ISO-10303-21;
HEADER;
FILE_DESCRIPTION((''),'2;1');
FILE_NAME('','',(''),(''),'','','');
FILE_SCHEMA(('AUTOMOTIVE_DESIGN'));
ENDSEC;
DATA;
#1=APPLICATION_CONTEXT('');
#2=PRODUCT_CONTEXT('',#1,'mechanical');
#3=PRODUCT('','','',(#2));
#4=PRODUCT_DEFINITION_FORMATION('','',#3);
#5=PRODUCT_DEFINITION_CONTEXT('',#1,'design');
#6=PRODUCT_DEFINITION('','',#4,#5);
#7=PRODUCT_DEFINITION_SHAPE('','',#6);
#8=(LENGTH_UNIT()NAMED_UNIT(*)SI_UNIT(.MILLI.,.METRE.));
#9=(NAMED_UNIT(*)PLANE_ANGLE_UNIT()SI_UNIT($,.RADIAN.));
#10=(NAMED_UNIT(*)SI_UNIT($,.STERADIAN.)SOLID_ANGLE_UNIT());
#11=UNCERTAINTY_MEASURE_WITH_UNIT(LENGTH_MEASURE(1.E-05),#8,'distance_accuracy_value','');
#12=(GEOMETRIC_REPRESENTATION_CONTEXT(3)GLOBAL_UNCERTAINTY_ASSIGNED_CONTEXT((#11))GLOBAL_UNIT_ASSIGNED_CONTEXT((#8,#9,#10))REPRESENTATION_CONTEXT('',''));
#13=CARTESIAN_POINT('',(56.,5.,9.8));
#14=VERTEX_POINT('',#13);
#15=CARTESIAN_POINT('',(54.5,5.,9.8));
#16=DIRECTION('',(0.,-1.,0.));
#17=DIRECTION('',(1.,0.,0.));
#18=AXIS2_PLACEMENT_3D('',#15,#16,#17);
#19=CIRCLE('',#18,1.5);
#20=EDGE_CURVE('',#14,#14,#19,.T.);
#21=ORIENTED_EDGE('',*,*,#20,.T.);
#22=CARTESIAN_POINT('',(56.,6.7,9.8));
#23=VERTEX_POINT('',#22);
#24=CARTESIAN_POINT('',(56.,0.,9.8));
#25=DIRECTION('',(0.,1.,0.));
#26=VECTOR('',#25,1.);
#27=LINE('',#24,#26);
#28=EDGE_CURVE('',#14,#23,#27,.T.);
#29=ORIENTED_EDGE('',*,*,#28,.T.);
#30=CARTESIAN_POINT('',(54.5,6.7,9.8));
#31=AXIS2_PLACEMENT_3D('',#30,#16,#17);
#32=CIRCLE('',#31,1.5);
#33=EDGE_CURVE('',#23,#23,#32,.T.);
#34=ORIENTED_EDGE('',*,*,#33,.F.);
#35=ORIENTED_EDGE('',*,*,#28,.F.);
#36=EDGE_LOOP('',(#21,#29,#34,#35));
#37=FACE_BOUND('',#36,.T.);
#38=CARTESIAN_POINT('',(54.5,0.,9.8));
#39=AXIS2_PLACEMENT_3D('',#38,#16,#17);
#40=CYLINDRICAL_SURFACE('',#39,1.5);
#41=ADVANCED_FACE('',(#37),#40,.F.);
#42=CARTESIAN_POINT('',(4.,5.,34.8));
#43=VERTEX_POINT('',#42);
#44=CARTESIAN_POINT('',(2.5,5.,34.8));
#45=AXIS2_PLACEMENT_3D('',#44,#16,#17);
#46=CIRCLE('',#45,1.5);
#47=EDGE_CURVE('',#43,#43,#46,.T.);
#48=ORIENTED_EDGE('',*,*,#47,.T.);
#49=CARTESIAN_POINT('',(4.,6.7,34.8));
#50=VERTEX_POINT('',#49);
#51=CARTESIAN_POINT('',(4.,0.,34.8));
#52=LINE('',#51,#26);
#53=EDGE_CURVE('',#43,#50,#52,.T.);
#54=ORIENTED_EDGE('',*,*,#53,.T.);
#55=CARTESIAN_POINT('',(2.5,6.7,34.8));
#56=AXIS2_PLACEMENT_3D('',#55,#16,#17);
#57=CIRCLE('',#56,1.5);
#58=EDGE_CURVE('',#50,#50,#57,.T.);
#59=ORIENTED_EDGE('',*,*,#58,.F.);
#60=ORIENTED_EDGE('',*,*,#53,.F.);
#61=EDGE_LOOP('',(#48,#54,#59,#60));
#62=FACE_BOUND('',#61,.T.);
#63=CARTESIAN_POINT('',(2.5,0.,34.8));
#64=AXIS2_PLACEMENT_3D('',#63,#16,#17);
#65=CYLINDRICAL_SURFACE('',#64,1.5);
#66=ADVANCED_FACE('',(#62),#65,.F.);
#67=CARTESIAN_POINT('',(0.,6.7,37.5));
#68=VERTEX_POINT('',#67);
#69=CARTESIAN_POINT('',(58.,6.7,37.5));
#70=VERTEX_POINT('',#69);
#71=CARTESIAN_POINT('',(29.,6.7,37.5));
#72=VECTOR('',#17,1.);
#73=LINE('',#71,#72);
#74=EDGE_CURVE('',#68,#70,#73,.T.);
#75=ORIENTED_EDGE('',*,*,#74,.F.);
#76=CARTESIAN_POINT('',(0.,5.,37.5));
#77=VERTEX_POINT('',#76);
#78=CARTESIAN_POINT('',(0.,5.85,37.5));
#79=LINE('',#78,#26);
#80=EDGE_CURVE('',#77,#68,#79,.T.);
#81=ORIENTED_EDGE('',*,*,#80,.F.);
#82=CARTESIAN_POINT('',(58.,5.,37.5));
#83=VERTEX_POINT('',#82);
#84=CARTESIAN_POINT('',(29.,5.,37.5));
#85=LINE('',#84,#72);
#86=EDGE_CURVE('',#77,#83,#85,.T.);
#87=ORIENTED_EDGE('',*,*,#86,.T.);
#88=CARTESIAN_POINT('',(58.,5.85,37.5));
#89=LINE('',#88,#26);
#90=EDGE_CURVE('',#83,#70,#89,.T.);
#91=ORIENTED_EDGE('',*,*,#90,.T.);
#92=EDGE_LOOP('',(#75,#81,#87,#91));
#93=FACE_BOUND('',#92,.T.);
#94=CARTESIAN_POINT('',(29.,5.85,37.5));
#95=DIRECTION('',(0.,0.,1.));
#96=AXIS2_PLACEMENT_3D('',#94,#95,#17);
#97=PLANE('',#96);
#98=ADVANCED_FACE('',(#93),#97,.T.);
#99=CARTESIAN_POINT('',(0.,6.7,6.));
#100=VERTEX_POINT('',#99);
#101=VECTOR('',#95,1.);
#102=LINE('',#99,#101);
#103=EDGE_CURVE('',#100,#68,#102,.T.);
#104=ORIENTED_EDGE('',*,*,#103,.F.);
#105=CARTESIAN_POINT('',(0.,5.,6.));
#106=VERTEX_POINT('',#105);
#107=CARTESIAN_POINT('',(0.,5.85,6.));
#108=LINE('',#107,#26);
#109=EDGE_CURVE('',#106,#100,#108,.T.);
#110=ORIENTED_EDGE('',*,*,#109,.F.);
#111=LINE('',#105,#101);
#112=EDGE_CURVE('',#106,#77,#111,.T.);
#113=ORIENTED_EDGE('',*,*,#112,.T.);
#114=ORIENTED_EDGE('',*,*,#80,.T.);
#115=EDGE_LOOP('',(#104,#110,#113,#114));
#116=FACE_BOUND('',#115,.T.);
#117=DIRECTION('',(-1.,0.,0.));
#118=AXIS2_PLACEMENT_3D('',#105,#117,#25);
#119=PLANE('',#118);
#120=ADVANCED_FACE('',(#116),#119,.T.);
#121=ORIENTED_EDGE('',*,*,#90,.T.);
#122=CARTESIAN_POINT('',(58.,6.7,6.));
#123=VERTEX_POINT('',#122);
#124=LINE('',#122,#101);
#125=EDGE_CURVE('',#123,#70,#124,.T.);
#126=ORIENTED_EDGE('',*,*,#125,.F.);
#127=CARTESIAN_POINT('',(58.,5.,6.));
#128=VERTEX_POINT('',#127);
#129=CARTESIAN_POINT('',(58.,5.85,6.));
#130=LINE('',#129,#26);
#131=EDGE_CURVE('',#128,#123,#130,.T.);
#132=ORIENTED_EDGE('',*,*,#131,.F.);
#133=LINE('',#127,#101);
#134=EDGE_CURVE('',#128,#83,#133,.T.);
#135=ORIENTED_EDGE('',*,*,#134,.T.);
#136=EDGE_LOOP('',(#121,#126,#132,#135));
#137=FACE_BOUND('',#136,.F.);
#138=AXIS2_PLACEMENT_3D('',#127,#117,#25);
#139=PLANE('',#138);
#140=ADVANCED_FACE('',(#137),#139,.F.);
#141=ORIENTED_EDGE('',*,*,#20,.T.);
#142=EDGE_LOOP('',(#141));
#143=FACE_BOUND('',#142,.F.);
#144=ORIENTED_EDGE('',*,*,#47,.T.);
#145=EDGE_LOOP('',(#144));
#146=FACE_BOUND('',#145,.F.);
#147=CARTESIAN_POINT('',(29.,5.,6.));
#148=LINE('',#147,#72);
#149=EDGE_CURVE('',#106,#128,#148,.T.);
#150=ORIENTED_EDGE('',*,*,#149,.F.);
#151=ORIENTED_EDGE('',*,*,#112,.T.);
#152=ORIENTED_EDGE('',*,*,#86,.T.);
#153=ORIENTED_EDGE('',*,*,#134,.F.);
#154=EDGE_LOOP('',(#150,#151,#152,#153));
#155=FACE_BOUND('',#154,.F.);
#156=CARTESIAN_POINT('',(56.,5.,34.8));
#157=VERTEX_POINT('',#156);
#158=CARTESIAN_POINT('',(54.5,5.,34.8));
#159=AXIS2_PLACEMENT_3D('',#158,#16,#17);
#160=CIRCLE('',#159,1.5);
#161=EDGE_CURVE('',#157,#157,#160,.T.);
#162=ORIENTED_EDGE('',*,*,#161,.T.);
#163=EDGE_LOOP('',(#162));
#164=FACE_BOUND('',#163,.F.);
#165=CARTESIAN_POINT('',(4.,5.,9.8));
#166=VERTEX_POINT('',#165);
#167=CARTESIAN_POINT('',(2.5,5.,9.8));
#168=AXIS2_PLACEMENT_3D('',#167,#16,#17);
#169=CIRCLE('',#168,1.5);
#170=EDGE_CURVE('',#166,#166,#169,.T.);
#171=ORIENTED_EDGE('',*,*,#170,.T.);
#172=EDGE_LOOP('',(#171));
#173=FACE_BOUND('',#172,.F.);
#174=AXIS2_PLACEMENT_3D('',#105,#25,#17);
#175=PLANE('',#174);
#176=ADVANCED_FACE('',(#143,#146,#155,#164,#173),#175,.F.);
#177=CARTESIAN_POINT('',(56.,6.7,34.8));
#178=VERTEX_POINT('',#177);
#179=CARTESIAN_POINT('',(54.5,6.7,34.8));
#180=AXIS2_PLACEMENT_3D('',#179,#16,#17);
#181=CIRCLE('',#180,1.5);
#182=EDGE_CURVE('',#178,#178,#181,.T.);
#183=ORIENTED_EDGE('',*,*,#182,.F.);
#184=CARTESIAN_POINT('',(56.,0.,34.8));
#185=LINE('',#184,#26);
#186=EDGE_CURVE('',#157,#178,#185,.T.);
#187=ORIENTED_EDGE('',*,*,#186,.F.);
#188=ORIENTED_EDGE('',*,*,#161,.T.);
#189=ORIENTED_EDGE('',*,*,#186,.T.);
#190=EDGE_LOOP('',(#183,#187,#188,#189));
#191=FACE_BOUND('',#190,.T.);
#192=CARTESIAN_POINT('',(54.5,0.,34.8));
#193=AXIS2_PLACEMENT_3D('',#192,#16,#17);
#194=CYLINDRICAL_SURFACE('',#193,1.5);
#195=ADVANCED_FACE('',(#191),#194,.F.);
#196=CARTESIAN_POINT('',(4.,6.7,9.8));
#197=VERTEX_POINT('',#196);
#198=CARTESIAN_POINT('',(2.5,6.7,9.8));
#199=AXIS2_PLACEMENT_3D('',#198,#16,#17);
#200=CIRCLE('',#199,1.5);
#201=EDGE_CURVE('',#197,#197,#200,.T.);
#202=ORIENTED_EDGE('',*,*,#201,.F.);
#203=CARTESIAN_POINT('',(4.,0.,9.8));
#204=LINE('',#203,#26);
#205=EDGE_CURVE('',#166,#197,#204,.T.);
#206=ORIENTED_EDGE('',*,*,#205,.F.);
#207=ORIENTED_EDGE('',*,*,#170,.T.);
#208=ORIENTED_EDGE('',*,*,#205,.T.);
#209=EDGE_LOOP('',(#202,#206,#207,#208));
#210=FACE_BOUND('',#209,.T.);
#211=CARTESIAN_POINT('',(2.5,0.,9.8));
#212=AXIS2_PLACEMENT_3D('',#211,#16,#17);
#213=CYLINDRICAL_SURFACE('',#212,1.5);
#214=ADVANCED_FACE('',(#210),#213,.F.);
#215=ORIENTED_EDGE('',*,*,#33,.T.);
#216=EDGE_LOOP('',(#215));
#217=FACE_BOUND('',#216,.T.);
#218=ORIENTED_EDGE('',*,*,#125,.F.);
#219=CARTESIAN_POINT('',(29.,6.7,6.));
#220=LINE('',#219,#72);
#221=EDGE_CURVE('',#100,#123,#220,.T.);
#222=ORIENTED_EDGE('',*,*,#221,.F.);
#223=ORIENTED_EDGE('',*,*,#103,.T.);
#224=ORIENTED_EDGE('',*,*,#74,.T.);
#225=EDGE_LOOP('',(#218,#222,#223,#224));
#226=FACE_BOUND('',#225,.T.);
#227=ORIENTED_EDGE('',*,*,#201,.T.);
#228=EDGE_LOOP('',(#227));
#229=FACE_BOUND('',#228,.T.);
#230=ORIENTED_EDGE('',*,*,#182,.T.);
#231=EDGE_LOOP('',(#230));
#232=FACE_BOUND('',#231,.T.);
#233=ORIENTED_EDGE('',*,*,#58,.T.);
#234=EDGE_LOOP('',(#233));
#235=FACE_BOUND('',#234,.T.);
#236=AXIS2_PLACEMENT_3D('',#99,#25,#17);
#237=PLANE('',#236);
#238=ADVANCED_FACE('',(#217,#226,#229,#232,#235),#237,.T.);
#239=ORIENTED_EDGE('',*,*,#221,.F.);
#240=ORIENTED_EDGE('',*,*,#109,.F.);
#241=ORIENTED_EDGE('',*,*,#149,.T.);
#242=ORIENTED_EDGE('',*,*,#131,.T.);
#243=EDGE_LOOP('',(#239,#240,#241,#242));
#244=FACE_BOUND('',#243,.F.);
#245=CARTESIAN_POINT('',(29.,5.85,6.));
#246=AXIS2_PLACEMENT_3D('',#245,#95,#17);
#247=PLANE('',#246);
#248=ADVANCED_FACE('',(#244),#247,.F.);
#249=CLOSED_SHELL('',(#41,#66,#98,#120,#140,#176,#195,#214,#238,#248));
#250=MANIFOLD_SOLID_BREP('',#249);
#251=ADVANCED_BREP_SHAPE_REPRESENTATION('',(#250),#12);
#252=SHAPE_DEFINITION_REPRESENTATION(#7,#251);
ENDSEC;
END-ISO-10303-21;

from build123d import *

# Parameters (mm, degrees)
CYLINDER_R       = 1.5
CYLINDER_DEPTH   = 10
ARRAY001_X_COUNT = 2
ARRAY001_X_PITCH = 52
ARRAY001_Z_COUNT = 2
ARRAY001_Z_PITCH = 25
BOX002_W         = 58
BOX002_H         = 1.7
BOX002_DEPTH     = 31.5


with BuildPart() as hole_array_clone:
    # Cylinder → Cylinder (new body)
    with BuildSketch(Plane(origin=(0, 0, 0), x_dir=(1, 0, 0), z_dir=(0, 1, 0))):
        Circle(CYLINDER_R)
    extrude(amount=CYLINDER_DEPTH)

    # Array001 X: hole array clone ×2


with BuildPart() as hole_array_clone_1:
    add(hole_array_clone.part)
    with Locations(*[(i * ARRAY001_X_PITCH, 0, 0) for i in range(1, ARRAY001_X_COUNT)]):
        add(hole_array_clone.part)

    # Array001 Z: hole array clone ×2


with BuildPart() as hole_array_clone_2:
    add(hole_array_clone_1.part)
    with Locations(*[(0, 0, i * ARRAY001_Z_PITCH) for i in range(1, ARRAY001_Z_COUNT)]):
        add(hole_array_clone_1.part)


with BuildPart() as hole_array_clone_3:
    # Array001 placement: moved
    add(hole_array_clone_2.part.moved(Location((3, 0, 9.25))))


with BuildPart() as hole_array_clone_4:
    # Clone001 placement: moved
    add(hole_array_clone_3.part.moved(Location((-0.5, 0, 0.55))))


with BuildPart() as pcb_mockup:
    # Box002 → Box002 (new body)
    with BuildSketch(Plane(origin=(0, 5, 6), x_dir=(1, 0, 0), z_dir=(0, 0, 1))):
        with Locations((29, 0.85)):
            Rectangle(BOX002_W, BOX002_H)
    extrude(amount=BOX002_DEPTH)

    # Cut: cut hole array clone
    add(hole_array_clone_4.part, mode=Mode.SUBTRACT)


solid = pcb_mockup.part
